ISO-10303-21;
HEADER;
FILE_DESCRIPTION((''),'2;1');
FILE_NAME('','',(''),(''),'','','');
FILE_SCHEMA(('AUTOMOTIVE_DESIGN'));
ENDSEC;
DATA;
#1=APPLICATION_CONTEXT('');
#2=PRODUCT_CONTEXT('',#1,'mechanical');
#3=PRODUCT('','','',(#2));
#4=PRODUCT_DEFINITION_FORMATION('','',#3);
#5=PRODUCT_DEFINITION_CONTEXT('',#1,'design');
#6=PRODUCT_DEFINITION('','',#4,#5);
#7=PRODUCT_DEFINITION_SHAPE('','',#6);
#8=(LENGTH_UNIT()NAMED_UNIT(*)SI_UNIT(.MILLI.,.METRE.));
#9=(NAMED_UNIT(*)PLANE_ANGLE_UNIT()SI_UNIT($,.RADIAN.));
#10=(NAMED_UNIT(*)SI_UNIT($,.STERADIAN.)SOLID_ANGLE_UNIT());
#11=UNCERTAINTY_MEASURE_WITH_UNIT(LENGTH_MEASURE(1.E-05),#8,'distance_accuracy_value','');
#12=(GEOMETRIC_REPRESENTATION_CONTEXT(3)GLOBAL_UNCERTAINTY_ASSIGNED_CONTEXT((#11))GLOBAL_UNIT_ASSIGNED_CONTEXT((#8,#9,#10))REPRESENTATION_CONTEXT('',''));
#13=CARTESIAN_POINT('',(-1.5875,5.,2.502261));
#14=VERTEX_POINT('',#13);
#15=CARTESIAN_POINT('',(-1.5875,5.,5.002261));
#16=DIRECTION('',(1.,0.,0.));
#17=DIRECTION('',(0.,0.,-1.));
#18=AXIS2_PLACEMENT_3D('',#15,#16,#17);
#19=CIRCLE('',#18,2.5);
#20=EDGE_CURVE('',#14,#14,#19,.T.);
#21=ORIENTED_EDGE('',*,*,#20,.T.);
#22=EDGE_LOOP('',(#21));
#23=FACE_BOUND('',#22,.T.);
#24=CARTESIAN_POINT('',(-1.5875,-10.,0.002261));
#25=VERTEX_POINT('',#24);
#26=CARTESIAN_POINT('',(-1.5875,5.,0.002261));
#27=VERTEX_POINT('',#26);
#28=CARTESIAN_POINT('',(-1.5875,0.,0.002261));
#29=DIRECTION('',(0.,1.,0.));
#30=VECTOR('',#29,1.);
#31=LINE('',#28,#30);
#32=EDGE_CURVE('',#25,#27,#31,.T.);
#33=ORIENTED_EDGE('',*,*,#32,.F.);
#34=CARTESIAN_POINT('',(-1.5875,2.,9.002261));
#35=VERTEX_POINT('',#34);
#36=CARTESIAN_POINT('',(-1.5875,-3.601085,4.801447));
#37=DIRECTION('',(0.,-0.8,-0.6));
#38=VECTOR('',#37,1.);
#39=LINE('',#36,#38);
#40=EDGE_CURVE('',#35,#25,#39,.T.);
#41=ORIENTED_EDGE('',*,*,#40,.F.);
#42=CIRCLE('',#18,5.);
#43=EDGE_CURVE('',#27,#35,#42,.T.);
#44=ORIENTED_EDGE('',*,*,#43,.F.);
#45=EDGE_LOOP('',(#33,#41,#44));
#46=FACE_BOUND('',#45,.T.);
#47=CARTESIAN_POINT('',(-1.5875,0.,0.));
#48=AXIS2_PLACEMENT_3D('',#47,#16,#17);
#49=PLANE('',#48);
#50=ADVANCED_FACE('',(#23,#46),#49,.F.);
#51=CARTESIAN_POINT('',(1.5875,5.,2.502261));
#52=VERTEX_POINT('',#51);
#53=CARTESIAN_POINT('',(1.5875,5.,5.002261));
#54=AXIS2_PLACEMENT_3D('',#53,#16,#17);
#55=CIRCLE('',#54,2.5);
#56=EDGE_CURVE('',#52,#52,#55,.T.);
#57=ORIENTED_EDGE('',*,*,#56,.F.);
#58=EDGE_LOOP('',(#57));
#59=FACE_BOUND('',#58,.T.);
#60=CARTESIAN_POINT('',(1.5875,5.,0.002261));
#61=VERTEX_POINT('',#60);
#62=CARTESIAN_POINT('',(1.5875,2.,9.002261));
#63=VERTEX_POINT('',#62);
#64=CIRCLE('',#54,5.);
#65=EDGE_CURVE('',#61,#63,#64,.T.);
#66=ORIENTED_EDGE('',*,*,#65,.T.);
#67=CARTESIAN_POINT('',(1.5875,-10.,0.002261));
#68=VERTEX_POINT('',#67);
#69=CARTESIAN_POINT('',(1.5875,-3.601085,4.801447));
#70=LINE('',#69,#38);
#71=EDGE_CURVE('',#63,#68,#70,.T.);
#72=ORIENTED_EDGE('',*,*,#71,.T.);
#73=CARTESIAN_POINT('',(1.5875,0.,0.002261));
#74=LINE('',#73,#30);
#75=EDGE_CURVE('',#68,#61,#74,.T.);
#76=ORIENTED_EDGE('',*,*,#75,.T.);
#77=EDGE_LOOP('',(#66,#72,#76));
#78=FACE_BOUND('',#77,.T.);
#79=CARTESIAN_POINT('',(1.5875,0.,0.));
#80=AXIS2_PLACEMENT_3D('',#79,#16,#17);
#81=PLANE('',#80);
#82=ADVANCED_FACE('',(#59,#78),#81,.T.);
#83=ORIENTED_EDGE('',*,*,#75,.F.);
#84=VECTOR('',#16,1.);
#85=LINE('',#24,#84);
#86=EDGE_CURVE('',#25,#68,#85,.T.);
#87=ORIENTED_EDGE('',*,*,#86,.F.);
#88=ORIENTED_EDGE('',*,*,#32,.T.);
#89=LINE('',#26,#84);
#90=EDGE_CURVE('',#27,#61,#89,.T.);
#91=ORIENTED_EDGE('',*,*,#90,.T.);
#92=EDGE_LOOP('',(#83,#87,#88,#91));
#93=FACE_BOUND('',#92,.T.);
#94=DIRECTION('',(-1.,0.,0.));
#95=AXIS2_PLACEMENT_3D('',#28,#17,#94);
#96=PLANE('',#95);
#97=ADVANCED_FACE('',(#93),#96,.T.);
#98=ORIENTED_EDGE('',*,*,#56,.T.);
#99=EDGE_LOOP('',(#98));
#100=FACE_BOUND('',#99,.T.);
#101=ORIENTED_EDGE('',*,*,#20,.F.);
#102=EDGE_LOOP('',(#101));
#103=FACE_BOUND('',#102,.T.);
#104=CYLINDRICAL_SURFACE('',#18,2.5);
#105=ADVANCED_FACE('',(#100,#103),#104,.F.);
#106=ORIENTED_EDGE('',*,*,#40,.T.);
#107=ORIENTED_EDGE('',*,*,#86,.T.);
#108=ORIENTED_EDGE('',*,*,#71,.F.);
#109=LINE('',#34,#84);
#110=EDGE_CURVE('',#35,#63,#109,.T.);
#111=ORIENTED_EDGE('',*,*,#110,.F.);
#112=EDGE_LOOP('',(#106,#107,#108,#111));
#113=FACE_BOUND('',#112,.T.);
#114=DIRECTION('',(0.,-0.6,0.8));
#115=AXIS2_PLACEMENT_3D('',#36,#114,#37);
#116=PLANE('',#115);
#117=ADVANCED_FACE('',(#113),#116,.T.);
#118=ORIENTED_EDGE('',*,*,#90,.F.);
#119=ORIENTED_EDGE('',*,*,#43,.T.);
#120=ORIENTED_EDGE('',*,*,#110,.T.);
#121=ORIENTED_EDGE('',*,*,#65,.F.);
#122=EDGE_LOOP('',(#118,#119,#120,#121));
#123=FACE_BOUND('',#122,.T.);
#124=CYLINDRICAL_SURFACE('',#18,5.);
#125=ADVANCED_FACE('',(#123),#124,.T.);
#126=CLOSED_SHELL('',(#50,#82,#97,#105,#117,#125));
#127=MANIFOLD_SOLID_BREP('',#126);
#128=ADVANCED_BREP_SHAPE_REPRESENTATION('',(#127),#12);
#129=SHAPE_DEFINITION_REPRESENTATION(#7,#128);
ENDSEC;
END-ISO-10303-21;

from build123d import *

# Parameters (mm, degrees)
SKETCH2_R           = 2.5
BOSS_EXTRUDE3_DEPTH = 1.5875


with BuildPart() as part:
    # Sketch2 → Boss-Extrude3 (new, symmetric)
    with BuildSketch(Plane(origin=(0, 0, 0), x_dir=(0, 0, -1), z_dir=(1, 0, 0))):
        with BuildLine():
            Line((-9.002260878, 2), (-0.002260878, -10))
            Line((-0.002260878, -10), (-0.002260878, 5))
            ThreePointArc((-0.002260878, 5), (-6.583399709, 9.74341649), (-9.002260878, 2))
        make_face()
        with Locations((-5.002260878, 5)):
            Circle(SKETCH2_R, mode=Mode.SUBTRACT)
    extrude(amount=BOSS_EXTRUDE3_DEPTH, both=True)


solid = part.part
